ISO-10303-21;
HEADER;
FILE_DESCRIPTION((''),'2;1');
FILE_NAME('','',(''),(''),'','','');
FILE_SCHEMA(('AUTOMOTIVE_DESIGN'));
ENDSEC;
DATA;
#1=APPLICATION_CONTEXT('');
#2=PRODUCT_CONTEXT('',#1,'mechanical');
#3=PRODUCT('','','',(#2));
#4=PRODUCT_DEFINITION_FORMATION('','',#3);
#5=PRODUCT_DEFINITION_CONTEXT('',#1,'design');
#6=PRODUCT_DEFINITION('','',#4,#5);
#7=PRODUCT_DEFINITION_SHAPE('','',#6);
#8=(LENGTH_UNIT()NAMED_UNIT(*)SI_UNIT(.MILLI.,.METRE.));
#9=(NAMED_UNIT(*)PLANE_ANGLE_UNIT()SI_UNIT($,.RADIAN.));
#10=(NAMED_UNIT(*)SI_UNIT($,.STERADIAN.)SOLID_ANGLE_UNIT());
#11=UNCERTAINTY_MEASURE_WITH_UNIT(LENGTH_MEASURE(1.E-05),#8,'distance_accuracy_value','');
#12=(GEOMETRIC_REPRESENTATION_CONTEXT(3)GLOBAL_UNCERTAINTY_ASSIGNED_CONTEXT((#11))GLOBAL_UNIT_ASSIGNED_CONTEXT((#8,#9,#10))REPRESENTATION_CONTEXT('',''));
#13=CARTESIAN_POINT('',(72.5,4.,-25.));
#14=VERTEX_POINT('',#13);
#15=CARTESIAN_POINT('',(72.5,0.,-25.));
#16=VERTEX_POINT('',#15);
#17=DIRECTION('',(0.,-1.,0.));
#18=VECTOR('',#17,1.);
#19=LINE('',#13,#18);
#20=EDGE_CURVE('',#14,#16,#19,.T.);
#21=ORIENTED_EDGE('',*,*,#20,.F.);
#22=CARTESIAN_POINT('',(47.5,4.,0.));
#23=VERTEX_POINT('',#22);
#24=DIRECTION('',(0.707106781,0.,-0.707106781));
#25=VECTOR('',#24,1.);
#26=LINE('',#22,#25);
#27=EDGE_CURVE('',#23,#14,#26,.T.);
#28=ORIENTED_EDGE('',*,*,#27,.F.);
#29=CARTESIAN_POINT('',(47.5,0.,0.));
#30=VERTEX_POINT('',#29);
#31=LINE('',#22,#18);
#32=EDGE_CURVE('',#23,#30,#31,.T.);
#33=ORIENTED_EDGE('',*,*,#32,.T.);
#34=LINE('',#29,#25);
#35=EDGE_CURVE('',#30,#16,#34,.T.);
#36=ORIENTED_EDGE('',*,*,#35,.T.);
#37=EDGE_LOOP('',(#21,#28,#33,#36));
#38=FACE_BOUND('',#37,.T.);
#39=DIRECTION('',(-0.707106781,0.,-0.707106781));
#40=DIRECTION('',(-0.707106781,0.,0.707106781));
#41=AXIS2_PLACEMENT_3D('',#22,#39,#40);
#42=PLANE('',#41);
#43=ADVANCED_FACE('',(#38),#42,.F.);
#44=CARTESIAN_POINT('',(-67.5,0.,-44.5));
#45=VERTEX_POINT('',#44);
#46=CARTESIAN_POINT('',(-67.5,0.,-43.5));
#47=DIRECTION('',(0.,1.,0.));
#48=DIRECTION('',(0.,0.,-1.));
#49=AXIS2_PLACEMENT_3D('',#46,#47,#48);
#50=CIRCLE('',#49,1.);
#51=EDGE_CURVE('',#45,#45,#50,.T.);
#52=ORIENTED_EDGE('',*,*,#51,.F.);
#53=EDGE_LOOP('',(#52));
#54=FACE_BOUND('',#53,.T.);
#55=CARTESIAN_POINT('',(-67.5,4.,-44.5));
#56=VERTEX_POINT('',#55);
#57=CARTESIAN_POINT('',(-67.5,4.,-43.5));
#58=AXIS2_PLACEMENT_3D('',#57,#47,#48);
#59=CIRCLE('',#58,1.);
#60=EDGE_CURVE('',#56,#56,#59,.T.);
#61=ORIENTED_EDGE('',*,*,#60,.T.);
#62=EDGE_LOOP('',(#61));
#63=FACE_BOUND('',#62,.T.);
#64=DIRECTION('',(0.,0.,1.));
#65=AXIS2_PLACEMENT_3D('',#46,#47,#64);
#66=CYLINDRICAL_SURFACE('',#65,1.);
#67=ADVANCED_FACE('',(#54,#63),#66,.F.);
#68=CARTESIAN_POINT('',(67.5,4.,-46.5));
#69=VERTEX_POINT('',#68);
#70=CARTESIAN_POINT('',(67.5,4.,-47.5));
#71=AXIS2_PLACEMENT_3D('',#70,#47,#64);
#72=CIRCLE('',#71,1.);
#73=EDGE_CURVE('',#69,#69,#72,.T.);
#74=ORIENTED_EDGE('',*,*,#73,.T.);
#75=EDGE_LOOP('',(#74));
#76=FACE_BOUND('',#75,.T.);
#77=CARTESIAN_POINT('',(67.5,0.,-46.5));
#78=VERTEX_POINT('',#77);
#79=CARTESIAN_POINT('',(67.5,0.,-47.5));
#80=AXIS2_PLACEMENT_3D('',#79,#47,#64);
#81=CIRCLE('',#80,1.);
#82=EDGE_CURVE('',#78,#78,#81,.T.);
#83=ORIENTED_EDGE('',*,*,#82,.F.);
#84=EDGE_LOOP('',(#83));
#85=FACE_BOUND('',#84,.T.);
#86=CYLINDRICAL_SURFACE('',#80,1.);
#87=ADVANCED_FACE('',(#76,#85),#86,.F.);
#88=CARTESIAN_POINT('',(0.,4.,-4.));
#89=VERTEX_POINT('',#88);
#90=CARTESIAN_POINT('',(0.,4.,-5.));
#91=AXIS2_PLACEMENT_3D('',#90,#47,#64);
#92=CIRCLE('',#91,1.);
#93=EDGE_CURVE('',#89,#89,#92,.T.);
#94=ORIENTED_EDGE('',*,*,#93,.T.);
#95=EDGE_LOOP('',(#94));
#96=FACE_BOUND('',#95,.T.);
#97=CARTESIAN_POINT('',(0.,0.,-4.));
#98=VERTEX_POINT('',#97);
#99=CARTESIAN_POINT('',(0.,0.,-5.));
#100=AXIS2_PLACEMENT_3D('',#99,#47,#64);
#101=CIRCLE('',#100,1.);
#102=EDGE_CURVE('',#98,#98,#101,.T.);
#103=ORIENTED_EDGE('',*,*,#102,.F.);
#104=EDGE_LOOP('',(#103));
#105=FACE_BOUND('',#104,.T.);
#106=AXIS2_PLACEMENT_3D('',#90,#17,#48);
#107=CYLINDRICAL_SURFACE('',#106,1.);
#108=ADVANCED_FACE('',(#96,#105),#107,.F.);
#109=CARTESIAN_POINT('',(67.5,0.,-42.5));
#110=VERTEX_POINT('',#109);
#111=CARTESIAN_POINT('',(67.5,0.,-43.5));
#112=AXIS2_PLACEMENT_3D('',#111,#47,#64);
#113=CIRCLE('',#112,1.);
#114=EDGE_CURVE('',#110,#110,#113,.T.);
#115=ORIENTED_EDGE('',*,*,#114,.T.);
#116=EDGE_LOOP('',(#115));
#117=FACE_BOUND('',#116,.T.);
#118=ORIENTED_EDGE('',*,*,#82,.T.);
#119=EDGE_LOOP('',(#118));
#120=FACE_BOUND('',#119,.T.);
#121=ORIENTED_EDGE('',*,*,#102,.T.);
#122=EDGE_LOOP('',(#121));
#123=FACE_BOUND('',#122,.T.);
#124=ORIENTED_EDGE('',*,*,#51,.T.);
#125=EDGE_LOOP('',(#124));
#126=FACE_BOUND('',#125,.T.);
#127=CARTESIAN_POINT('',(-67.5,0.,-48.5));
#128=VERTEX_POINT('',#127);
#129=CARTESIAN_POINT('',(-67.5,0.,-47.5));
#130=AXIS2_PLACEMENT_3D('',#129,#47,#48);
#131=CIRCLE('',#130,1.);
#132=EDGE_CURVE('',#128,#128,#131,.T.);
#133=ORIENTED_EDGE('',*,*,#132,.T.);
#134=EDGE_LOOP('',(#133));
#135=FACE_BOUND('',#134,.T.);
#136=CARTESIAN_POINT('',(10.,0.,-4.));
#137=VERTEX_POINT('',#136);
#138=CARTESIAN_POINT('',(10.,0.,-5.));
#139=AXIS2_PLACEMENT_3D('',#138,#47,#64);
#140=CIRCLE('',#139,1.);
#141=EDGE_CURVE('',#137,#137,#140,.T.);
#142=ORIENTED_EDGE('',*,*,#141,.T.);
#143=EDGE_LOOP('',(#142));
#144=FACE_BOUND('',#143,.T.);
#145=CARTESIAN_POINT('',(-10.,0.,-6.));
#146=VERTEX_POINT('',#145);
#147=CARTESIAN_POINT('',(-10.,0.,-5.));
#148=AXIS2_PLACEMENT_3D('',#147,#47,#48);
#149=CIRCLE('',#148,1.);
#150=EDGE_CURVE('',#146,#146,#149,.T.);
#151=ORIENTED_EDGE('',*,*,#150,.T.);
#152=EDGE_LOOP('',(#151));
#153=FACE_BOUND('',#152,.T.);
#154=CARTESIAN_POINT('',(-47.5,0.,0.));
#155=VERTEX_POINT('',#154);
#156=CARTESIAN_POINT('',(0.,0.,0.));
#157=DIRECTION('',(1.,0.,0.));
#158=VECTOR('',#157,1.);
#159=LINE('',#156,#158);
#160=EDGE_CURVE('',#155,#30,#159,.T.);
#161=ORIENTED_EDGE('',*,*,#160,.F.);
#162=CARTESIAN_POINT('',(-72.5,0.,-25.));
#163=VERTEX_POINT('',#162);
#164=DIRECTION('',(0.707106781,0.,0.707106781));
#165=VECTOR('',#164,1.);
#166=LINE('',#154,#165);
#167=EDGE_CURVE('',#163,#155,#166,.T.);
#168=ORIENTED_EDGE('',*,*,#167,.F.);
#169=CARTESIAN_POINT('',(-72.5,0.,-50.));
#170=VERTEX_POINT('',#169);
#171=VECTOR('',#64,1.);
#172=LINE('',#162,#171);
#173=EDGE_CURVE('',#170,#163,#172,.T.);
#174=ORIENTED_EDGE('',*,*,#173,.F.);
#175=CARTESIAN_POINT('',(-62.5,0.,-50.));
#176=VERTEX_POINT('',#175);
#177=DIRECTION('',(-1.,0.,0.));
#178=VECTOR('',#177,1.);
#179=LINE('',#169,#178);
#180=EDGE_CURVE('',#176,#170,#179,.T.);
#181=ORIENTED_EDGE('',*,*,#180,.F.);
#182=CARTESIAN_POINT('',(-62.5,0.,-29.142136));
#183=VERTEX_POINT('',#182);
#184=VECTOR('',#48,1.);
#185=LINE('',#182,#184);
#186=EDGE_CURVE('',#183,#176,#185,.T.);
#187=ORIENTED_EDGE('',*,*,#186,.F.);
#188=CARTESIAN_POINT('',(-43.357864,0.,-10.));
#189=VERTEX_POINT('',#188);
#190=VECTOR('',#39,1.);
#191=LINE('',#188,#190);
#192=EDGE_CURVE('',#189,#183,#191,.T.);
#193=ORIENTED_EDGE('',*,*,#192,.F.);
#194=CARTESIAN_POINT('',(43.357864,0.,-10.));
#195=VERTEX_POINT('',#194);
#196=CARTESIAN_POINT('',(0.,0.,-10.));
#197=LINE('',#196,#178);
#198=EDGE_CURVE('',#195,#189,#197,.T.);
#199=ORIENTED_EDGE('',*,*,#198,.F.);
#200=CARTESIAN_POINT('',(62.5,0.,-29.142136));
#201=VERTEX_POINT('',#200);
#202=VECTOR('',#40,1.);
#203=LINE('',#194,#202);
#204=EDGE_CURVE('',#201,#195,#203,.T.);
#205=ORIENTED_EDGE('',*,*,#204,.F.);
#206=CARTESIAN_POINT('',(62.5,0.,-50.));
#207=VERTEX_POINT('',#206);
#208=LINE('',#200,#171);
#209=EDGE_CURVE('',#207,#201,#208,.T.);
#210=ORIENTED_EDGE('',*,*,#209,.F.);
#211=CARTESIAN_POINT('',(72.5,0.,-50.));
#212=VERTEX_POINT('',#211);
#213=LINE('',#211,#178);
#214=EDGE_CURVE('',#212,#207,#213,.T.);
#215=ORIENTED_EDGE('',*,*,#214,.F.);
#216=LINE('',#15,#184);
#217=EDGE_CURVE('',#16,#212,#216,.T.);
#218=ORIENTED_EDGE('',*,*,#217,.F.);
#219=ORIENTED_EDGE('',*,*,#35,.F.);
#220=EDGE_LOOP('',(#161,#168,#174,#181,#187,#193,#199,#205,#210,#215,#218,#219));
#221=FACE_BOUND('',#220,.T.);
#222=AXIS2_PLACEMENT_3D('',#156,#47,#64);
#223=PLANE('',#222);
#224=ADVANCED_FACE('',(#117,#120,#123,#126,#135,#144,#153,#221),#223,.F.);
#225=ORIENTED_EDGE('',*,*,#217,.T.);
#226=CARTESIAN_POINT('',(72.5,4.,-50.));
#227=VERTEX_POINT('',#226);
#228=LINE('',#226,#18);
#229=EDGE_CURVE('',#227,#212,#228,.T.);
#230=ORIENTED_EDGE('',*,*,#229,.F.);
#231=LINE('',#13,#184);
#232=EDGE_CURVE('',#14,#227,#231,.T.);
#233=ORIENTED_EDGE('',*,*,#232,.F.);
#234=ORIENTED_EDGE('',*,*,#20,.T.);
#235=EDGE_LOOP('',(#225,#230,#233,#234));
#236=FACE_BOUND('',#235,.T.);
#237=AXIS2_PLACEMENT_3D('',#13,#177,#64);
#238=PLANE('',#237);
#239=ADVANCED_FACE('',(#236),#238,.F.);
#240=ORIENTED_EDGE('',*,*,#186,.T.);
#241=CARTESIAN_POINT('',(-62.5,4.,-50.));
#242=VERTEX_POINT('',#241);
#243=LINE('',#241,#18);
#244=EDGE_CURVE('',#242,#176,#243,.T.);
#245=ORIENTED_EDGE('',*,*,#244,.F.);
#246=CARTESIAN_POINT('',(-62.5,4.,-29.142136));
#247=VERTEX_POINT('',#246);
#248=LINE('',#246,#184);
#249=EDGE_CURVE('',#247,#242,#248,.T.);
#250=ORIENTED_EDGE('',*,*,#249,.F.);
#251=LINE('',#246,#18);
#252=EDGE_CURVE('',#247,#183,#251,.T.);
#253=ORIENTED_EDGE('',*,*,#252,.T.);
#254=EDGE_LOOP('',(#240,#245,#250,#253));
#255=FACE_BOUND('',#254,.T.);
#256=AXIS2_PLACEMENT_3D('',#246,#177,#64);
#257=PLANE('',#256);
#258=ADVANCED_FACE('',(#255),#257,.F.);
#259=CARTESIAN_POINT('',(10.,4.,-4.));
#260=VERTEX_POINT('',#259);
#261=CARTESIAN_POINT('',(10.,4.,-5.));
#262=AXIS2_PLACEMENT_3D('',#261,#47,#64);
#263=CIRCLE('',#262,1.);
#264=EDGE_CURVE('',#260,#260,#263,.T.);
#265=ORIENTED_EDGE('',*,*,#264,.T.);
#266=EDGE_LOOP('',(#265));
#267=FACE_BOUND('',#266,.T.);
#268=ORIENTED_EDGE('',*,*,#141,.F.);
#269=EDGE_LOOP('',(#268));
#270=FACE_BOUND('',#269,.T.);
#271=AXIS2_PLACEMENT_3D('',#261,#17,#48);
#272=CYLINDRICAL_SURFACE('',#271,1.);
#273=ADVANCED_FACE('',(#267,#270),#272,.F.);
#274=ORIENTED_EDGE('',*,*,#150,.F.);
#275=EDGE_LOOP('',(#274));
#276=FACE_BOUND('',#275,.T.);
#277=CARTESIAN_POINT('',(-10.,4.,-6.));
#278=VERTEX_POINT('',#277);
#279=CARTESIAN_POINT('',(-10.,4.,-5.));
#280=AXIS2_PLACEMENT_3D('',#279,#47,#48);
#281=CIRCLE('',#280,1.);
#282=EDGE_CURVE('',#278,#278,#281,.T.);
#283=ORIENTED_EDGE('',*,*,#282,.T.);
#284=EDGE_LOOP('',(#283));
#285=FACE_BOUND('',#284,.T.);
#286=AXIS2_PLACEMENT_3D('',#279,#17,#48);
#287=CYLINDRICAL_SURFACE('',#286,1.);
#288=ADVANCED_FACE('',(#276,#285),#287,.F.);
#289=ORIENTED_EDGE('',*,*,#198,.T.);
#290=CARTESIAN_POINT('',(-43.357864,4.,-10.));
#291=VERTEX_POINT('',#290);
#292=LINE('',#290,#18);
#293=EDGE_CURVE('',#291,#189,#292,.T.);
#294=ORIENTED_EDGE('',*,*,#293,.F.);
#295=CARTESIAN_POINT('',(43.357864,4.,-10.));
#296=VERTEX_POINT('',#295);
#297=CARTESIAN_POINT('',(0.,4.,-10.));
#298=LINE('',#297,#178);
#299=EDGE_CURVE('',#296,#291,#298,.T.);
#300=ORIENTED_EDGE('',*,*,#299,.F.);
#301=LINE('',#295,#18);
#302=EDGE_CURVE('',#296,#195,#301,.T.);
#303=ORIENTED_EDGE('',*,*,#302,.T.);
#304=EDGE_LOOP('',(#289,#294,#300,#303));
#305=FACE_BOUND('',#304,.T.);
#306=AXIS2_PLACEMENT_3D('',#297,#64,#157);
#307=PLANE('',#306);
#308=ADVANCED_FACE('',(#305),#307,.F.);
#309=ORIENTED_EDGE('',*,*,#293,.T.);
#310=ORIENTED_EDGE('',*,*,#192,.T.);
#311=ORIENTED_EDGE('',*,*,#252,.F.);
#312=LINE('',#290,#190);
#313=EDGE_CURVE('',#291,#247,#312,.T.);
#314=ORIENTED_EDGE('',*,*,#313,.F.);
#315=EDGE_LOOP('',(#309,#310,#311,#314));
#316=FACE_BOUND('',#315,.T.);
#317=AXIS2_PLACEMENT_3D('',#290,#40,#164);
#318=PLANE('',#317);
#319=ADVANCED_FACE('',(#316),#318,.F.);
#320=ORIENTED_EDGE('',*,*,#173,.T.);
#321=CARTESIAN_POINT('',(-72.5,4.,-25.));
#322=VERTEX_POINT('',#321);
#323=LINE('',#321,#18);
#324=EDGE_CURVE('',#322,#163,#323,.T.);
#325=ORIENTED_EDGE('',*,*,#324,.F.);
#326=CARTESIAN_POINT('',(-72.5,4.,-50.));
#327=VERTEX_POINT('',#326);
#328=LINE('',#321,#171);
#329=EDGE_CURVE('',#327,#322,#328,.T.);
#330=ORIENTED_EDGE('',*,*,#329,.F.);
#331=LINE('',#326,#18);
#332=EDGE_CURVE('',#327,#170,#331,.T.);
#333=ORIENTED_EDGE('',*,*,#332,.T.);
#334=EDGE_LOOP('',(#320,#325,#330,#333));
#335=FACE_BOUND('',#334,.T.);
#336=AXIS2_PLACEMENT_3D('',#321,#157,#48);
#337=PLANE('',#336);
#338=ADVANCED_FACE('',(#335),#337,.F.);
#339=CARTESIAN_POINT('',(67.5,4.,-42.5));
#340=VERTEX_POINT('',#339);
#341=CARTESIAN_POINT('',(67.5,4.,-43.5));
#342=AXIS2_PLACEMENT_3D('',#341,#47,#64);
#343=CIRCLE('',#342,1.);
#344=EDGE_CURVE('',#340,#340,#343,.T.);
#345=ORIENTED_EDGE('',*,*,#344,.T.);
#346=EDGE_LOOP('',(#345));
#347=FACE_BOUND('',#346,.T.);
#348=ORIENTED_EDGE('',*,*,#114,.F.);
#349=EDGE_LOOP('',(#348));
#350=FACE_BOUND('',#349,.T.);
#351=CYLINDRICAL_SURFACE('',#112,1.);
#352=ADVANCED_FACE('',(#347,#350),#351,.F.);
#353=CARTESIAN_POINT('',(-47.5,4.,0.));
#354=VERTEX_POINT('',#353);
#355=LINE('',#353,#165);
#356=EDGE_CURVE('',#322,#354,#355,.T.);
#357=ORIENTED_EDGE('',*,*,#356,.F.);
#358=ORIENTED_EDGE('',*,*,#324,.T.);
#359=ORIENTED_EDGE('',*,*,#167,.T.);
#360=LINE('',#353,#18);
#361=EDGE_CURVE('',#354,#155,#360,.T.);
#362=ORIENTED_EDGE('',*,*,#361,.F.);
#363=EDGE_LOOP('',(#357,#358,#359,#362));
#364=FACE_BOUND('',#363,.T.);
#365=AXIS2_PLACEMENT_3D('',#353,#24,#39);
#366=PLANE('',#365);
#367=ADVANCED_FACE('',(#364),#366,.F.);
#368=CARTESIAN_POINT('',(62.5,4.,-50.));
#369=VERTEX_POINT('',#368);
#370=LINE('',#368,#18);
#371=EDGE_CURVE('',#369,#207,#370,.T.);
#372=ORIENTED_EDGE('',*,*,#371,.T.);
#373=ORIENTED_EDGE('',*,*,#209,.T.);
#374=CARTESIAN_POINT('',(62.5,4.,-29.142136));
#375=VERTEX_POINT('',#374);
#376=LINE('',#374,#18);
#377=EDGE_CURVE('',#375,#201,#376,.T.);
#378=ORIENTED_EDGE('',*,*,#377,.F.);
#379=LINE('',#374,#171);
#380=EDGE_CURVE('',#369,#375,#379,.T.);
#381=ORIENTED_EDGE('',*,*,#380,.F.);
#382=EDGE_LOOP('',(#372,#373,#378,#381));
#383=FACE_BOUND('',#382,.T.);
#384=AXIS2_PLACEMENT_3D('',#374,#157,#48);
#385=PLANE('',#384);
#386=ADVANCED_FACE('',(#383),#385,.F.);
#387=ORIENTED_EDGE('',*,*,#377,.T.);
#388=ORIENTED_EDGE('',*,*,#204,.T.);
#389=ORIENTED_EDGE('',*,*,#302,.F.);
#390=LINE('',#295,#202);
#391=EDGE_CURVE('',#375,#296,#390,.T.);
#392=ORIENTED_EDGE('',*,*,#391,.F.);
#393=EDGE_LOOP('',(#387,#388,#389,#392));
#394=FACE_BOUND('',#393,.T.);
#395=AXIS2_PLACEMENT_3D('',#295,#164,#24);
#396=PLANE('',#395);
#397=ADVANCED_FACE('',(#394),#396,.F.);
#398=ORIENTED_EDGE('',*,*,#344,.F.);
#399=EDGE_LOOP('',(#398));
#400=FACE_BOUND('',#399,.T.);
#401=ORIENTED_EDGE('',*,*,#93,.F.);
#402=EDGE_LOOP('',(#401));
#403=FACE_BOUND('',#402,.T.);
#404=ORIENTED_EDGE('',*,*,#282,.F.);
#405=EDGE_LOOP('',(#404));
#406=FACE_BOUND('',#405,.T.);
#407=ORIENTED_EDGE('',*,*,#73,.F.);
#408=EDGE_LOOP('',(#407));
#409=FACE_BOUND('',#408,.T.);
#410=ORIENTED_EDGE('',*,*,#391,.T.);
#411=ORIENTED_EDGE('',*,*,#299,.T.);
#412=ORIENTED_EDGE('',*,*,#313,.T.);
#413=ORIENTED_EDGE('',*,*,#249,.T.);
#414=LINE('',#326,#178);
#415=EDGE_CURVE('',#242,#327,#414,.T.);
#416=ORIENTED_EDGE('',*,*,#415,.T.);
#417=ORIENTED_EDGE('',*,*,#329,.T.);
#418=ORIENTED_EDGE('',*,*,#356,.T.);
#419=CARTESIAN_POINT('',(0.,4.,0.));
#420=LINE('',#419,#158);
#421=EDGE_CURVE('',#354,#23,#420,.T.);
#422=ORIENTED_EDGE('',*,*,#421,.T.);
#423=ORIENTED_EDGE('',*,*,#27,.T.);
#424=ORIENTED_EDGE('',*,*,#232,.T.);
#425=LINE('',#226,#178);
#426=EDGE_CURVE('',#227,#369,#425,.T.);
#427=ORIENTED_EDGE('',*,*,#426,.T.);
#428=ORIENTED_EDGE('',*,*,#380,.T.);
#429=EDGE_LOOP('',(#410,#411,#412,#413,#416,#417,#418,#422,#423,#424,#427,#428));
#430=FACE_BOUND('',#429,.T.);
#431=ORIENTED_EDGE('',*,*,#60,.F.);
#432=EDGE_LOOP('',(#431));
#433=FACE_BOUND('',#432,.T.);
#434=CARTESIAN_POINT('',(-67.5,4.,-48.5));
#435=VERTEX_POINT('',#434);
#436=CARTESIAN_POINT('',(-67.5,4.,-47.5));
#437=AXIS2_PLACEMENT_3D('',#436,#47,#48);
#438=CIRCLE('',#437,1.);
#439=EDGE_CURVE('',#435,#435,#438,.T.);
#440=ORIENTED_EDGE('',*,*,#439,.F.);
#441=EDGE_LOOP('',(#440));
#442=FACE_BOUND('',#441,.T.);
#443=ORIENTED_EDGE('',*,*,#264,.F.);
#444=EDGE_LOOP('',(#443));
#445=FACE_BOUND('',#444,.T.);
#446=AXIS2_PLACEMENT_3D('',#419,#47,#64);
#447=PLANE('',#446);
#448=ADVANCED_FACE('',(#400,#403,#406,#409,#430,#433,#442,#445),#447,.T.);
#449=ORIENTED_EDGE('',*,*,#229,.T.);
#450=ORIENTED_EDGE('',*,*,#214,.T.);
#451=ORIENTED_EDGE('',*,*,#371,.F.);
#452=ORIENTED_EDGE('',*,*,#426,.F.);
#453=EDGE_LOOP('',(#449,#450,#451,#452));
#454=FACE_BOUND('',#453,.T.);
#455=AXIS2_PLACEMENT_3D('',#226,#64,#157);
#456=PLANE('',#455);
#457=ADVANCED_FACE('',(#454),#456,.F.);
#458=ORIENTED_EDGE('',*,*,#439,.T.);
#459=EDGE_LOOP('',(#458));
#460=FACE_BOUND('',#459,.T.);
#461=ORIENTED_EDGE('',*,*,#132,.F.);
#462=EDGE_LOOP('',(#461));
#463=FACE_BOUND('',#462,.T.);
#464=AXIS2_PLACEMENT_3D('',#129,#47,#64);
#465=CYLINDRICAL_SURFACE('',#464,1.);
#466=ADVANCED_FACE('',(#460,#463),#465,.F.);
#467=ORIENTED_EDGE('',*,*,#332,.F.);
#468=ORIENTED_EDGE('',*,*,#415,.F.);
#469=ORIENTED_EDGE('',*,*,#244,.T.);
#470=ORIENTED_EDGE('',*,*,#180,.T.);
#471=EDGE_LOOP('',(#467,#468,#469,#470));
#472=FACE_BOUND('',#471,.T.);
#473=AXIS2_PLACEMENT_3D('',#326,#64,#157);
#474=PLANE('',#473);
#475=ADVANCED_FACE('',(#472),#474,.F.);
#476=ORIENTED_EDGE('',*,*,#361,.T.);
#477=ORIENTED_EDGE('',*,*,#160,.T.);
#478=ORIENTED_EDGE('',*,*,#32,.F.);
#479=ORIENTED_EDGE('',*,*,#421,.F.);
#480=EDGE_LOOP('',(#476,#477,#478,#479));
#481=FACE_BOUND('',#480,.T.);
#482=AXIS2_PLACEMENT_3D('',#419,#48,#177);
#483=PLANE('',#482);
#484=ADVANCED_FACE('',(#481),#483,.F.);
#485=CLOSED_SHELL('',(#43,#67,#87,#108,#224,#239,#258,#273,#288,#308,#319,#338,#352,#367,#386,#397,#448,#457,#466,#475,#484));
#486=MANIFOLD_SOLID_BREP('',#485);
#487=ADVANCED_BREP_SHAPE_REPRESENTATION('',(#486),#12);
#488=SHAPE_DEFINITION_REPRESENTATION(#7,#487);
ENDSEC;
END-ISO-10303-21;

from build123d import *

# Parameters (mm, degrees)
SKETCH1_R           = 1
BOSS_EXTRUDE1_DEPTH = 4
SKETCH2_R           = 1
CUT_EXTRUDE1_DEPTH  = 4


with BuildPart() as part:
    # Sketch1 → Boss-Extrude1 (new body)
    with BuildSketch(Plane(origin=(0, 0, 0), x_dir=(1, 0, 0), z_dir=(0, 1, 0))):
        Polygon((0, 0), (47.5, 0), (72.5, 25), (72.5, 50), (62.5, 50), (62.5, 29.142135624), (43.357864376, 10), (0, 10), (-43.357864376, 10), (-62.5, 29.142135624), (-62.5, 50), (-72.5, 50), (-72.5, 25), (-47.5, 0), align=None)
        with Locations(Location((10, 5, 0), (0, 0, 270))):
            Circle(SKETCH1_R, mode=Mode.SUBTRACT)
        with Locations(Location((0, 5, 0), (0, 0, 270))):
            Circle(SKETCH1_R, mode=Mode.SUBTRACT)
        with Locations(Location((-10, 5, 0), (0, 0, 90))):
            Circle(SKETCH1_R, mode=Mode.SUBTRACT)
    extrude(amount=BOSS_EXTRUDE1_DEPTH)

    # Sketch2 → Cut-Extrude1 (cut)
    with BuildSketch(Plane(origin=(0, 4, 0), x_dir=(1, 0, 0), z_dir=(0, 1, 0))):
        with Locations(Location((67.5, 47.5, 0), (0, 0, 270))):
            Circle(SKETCH2_R)
        with Locations(Location((67.5, 43.5, 0), (0, 0, 270))):
            Circle(SKETCH2_R)
        with Locations(Location((-67.5, 43.5, 0), (0, 0, 90))):
            Circle(SKETCH2_R)
        with Locations(Location((-67.5, 47.5, 0), (0, 0, 90))):
            Circle(SKETCH2_R)
    extrude(amount=-CUT_EXTRUDE1_DEPTH, mode=Mode.SUBTRACT)


solid = part.part
